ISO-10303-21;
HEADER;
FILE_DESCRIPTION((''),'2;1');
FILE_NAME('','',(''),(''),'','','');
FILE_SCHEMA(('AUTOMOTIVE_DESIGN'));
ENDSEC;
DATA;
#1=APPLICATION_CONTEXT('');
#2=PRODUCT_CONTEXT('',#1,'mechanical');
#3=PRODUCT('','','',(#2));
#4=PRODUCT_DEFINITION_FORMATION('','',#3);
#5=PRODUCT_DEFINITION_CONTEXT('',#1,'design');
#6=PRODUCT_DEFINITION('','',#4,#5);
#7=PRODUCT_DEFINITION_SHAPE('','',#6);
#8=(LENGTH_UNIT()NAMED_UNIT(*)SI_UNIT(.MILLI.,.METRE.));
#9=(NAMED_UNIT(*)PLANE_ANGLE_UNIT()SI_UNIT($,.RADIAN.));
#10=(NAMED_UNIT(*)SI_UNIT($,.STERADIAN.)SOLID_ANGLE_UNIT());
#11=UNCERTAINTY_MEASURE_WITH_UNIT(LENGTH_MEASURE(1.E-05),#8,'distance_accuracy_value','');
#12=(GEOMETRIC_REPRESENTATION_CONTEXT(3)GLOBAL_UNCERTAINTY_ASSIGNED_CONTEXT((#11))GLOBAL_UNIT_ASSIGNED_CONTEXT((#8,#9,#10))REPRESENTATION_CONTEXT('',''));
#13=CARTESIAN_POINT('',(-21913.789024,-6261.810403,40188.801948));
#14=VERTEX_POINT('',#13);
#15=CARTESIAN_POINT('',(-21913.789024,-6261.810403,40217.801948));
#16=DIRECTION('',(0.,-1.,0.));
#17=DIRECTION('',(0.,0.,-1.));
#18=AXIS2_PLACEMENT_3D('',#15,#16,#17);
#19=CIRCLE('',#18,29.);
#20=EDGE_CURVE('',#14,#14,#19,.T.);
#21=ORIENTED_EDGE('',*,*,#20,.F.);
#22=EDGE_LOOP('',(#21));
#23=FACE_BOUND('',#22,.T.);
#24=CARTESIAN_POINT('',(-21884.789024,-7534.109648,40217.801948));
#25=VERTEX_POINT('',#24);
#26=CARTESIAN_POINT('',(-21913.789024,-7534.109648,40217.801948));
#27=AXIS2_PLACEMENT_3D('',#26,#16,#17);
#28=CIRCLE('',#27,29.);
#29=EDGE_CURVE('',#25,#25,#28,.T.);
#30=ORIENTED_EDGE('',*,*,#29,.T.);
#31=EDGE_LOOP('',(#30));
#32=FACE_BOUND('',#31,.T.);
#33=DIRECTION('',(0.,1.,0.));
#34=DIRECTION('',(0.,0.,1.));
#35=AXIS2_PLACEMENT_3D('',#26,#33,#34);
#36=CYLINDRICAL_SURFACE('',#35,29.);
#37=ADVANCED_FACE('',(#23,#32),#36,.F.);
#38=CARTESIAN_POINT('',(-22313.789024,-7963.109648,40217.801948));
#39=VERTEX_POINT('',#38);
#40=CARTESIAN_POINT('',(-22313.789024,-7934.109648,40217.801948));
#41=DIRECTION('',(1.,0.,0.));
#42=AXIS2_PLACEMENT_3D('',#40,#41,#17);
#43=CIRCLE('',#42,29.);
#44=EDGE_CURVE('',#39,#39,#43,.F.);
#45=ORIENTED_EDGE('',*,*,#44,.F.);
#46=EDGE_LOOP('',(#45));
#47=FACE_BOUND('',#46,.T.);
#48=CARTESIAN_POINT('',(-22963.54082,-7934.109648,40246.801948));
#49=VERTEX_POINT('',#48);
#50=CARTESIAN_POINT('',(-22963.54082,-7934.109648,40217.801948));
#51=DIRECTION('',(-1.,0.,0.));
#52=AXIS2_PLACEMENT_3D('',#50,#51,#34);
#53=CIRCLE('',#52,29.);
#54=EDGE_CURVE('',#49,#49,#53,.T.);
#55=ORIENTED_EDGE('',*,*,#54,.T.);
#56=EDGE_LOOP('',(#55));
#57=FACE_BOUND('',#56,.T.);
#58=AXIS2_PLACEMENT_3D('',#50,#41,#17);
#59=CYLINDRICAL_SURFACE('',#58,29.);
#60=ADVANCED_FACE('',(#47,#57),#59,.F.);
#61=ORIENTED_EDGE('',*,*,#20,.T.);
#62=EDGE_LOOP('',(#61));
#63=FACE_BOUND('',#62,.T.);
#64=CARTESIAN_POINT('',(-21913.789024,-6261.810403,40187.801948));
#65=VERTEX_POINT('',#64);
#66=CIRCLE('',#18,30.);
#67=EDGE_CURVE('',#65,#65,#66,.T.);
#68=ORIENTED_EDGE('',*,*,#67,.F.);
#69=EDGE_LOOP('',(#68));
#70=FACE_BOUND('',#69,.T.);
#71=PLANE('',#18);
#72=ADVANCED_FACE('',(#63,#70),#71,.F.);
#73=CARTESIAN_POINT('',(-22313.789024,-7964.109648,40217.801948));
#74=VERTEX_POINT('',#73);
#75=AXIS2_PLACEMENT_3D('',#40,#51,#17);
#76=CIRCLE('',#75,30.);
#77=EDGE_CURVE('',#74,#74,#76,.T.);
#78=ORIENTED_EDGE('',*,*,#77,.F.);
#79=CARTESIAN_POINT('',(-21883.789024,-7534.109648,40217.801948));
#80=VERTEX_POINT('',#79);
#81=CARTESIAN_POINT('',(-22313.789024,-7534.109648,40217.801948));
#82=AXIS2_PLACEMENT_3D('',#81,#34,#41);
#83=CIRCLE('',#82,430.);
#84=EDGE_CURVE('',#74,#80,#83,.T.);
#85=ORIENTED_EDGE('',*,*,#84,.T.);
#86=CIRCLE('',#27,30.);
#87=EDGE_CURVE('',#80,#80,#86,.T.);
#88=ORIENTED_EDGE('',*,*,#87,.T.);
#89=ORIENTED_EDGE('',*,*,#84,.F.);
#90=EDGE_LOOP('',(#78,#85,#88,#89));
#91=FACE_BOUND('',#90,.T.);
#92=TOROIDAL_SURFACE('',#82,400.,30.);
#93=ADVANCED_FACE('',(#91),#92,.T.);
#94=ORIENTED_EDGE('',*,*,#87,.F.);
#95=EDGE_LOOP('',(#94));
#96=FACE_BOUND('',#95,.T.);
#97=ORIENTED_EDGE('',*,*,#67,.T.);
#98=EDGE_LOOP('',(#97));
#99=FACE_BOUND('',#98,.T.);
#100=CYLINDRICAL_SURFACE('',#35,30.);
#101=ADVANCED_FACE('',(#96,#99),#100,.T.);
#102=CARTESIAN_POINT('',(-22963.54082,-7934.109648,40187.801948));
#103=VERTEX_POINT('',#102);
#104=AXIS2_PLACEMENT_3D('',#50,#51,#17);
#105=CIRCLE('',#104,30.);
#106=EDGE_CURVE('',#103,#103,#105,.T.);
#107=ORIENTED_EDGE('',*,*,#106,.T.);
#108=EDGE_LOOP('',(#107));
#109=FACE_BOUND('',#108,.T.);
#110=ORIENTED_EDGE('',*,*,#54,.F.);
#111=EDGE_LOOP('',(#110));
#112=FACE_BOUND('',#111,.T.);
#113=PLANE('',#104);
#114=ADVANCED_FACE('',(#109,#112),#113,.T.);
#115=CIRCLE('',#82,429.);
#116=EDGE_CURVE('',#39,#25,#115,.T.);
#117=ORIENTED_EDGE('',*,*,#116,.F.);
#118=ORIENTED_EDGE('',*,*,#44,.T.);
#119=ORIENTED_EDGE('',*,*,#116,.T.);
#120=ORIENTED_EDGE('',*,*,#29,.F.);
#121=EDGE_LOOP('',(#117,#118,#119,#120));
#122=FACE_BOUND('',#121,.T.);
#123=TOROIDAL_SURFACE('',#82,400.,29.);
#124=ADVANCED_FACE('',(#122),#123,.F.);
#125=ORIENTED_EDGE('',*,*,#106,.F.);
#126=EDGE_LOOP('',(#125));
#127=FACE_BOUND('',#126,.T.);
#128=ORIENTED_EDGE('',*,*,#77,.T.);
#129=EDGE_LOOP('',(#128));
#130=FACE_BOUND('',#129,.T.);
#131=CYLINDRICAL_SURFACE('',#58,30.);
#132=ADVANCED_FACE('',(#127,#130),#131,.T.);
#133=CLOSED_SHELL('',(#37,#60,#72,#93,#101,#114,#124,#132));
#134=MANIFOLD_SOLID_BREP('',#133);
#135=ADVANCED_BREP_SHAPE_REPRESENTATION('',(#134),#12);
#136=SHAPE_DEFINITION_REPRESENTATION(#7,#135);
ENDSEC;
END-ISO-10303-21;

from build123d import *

# Parameters (mm, degrees)
SWEEP_THIN1_PROFILE_R   = 30
SWEEP_THIN1_PROFILE_R_2 = 29


with BuildPart() as part:
    # Sweep-Thin1: sweep along a curve in space
    with BuildLine() as sweep_thin1_path:
        Line((-22963.540820266, -7934.109647753, 40217.801947749), (-22313.789024318, -7934.109647753, 40217.801947749))
        ThreePointArc((-21913.789024318, -7534.109647753, 40217.801947749), (-22030.946311844, -7816.952360228, 40217.801947749), (-22313.789024318, -7934.109647753, 40217.801947749))
        Line((-21913.789024318, -7534.109647753, 40217.801947749), (-21913.789024318, -6261.81040257, 40217.801947749))
    # Sweep-Thin1 profile (on start of the path) → Sweep-Thin1 (sweep)
    with BuildSketch(Plane(origin=(-22963.540820266, -7934.109647753, 40217.801947749), x_dir=(0, 0, 1), z_dir=(1, 0, 0))):
        Circle(SWEEP_THIN1_PROFILE_R)
        Circle(SWEEP_THIN1_PROFILE_R_2, mode=Mode.SUBTRACT)
    sweep(path=sweep_thin1_path.line)


solid = part.part
